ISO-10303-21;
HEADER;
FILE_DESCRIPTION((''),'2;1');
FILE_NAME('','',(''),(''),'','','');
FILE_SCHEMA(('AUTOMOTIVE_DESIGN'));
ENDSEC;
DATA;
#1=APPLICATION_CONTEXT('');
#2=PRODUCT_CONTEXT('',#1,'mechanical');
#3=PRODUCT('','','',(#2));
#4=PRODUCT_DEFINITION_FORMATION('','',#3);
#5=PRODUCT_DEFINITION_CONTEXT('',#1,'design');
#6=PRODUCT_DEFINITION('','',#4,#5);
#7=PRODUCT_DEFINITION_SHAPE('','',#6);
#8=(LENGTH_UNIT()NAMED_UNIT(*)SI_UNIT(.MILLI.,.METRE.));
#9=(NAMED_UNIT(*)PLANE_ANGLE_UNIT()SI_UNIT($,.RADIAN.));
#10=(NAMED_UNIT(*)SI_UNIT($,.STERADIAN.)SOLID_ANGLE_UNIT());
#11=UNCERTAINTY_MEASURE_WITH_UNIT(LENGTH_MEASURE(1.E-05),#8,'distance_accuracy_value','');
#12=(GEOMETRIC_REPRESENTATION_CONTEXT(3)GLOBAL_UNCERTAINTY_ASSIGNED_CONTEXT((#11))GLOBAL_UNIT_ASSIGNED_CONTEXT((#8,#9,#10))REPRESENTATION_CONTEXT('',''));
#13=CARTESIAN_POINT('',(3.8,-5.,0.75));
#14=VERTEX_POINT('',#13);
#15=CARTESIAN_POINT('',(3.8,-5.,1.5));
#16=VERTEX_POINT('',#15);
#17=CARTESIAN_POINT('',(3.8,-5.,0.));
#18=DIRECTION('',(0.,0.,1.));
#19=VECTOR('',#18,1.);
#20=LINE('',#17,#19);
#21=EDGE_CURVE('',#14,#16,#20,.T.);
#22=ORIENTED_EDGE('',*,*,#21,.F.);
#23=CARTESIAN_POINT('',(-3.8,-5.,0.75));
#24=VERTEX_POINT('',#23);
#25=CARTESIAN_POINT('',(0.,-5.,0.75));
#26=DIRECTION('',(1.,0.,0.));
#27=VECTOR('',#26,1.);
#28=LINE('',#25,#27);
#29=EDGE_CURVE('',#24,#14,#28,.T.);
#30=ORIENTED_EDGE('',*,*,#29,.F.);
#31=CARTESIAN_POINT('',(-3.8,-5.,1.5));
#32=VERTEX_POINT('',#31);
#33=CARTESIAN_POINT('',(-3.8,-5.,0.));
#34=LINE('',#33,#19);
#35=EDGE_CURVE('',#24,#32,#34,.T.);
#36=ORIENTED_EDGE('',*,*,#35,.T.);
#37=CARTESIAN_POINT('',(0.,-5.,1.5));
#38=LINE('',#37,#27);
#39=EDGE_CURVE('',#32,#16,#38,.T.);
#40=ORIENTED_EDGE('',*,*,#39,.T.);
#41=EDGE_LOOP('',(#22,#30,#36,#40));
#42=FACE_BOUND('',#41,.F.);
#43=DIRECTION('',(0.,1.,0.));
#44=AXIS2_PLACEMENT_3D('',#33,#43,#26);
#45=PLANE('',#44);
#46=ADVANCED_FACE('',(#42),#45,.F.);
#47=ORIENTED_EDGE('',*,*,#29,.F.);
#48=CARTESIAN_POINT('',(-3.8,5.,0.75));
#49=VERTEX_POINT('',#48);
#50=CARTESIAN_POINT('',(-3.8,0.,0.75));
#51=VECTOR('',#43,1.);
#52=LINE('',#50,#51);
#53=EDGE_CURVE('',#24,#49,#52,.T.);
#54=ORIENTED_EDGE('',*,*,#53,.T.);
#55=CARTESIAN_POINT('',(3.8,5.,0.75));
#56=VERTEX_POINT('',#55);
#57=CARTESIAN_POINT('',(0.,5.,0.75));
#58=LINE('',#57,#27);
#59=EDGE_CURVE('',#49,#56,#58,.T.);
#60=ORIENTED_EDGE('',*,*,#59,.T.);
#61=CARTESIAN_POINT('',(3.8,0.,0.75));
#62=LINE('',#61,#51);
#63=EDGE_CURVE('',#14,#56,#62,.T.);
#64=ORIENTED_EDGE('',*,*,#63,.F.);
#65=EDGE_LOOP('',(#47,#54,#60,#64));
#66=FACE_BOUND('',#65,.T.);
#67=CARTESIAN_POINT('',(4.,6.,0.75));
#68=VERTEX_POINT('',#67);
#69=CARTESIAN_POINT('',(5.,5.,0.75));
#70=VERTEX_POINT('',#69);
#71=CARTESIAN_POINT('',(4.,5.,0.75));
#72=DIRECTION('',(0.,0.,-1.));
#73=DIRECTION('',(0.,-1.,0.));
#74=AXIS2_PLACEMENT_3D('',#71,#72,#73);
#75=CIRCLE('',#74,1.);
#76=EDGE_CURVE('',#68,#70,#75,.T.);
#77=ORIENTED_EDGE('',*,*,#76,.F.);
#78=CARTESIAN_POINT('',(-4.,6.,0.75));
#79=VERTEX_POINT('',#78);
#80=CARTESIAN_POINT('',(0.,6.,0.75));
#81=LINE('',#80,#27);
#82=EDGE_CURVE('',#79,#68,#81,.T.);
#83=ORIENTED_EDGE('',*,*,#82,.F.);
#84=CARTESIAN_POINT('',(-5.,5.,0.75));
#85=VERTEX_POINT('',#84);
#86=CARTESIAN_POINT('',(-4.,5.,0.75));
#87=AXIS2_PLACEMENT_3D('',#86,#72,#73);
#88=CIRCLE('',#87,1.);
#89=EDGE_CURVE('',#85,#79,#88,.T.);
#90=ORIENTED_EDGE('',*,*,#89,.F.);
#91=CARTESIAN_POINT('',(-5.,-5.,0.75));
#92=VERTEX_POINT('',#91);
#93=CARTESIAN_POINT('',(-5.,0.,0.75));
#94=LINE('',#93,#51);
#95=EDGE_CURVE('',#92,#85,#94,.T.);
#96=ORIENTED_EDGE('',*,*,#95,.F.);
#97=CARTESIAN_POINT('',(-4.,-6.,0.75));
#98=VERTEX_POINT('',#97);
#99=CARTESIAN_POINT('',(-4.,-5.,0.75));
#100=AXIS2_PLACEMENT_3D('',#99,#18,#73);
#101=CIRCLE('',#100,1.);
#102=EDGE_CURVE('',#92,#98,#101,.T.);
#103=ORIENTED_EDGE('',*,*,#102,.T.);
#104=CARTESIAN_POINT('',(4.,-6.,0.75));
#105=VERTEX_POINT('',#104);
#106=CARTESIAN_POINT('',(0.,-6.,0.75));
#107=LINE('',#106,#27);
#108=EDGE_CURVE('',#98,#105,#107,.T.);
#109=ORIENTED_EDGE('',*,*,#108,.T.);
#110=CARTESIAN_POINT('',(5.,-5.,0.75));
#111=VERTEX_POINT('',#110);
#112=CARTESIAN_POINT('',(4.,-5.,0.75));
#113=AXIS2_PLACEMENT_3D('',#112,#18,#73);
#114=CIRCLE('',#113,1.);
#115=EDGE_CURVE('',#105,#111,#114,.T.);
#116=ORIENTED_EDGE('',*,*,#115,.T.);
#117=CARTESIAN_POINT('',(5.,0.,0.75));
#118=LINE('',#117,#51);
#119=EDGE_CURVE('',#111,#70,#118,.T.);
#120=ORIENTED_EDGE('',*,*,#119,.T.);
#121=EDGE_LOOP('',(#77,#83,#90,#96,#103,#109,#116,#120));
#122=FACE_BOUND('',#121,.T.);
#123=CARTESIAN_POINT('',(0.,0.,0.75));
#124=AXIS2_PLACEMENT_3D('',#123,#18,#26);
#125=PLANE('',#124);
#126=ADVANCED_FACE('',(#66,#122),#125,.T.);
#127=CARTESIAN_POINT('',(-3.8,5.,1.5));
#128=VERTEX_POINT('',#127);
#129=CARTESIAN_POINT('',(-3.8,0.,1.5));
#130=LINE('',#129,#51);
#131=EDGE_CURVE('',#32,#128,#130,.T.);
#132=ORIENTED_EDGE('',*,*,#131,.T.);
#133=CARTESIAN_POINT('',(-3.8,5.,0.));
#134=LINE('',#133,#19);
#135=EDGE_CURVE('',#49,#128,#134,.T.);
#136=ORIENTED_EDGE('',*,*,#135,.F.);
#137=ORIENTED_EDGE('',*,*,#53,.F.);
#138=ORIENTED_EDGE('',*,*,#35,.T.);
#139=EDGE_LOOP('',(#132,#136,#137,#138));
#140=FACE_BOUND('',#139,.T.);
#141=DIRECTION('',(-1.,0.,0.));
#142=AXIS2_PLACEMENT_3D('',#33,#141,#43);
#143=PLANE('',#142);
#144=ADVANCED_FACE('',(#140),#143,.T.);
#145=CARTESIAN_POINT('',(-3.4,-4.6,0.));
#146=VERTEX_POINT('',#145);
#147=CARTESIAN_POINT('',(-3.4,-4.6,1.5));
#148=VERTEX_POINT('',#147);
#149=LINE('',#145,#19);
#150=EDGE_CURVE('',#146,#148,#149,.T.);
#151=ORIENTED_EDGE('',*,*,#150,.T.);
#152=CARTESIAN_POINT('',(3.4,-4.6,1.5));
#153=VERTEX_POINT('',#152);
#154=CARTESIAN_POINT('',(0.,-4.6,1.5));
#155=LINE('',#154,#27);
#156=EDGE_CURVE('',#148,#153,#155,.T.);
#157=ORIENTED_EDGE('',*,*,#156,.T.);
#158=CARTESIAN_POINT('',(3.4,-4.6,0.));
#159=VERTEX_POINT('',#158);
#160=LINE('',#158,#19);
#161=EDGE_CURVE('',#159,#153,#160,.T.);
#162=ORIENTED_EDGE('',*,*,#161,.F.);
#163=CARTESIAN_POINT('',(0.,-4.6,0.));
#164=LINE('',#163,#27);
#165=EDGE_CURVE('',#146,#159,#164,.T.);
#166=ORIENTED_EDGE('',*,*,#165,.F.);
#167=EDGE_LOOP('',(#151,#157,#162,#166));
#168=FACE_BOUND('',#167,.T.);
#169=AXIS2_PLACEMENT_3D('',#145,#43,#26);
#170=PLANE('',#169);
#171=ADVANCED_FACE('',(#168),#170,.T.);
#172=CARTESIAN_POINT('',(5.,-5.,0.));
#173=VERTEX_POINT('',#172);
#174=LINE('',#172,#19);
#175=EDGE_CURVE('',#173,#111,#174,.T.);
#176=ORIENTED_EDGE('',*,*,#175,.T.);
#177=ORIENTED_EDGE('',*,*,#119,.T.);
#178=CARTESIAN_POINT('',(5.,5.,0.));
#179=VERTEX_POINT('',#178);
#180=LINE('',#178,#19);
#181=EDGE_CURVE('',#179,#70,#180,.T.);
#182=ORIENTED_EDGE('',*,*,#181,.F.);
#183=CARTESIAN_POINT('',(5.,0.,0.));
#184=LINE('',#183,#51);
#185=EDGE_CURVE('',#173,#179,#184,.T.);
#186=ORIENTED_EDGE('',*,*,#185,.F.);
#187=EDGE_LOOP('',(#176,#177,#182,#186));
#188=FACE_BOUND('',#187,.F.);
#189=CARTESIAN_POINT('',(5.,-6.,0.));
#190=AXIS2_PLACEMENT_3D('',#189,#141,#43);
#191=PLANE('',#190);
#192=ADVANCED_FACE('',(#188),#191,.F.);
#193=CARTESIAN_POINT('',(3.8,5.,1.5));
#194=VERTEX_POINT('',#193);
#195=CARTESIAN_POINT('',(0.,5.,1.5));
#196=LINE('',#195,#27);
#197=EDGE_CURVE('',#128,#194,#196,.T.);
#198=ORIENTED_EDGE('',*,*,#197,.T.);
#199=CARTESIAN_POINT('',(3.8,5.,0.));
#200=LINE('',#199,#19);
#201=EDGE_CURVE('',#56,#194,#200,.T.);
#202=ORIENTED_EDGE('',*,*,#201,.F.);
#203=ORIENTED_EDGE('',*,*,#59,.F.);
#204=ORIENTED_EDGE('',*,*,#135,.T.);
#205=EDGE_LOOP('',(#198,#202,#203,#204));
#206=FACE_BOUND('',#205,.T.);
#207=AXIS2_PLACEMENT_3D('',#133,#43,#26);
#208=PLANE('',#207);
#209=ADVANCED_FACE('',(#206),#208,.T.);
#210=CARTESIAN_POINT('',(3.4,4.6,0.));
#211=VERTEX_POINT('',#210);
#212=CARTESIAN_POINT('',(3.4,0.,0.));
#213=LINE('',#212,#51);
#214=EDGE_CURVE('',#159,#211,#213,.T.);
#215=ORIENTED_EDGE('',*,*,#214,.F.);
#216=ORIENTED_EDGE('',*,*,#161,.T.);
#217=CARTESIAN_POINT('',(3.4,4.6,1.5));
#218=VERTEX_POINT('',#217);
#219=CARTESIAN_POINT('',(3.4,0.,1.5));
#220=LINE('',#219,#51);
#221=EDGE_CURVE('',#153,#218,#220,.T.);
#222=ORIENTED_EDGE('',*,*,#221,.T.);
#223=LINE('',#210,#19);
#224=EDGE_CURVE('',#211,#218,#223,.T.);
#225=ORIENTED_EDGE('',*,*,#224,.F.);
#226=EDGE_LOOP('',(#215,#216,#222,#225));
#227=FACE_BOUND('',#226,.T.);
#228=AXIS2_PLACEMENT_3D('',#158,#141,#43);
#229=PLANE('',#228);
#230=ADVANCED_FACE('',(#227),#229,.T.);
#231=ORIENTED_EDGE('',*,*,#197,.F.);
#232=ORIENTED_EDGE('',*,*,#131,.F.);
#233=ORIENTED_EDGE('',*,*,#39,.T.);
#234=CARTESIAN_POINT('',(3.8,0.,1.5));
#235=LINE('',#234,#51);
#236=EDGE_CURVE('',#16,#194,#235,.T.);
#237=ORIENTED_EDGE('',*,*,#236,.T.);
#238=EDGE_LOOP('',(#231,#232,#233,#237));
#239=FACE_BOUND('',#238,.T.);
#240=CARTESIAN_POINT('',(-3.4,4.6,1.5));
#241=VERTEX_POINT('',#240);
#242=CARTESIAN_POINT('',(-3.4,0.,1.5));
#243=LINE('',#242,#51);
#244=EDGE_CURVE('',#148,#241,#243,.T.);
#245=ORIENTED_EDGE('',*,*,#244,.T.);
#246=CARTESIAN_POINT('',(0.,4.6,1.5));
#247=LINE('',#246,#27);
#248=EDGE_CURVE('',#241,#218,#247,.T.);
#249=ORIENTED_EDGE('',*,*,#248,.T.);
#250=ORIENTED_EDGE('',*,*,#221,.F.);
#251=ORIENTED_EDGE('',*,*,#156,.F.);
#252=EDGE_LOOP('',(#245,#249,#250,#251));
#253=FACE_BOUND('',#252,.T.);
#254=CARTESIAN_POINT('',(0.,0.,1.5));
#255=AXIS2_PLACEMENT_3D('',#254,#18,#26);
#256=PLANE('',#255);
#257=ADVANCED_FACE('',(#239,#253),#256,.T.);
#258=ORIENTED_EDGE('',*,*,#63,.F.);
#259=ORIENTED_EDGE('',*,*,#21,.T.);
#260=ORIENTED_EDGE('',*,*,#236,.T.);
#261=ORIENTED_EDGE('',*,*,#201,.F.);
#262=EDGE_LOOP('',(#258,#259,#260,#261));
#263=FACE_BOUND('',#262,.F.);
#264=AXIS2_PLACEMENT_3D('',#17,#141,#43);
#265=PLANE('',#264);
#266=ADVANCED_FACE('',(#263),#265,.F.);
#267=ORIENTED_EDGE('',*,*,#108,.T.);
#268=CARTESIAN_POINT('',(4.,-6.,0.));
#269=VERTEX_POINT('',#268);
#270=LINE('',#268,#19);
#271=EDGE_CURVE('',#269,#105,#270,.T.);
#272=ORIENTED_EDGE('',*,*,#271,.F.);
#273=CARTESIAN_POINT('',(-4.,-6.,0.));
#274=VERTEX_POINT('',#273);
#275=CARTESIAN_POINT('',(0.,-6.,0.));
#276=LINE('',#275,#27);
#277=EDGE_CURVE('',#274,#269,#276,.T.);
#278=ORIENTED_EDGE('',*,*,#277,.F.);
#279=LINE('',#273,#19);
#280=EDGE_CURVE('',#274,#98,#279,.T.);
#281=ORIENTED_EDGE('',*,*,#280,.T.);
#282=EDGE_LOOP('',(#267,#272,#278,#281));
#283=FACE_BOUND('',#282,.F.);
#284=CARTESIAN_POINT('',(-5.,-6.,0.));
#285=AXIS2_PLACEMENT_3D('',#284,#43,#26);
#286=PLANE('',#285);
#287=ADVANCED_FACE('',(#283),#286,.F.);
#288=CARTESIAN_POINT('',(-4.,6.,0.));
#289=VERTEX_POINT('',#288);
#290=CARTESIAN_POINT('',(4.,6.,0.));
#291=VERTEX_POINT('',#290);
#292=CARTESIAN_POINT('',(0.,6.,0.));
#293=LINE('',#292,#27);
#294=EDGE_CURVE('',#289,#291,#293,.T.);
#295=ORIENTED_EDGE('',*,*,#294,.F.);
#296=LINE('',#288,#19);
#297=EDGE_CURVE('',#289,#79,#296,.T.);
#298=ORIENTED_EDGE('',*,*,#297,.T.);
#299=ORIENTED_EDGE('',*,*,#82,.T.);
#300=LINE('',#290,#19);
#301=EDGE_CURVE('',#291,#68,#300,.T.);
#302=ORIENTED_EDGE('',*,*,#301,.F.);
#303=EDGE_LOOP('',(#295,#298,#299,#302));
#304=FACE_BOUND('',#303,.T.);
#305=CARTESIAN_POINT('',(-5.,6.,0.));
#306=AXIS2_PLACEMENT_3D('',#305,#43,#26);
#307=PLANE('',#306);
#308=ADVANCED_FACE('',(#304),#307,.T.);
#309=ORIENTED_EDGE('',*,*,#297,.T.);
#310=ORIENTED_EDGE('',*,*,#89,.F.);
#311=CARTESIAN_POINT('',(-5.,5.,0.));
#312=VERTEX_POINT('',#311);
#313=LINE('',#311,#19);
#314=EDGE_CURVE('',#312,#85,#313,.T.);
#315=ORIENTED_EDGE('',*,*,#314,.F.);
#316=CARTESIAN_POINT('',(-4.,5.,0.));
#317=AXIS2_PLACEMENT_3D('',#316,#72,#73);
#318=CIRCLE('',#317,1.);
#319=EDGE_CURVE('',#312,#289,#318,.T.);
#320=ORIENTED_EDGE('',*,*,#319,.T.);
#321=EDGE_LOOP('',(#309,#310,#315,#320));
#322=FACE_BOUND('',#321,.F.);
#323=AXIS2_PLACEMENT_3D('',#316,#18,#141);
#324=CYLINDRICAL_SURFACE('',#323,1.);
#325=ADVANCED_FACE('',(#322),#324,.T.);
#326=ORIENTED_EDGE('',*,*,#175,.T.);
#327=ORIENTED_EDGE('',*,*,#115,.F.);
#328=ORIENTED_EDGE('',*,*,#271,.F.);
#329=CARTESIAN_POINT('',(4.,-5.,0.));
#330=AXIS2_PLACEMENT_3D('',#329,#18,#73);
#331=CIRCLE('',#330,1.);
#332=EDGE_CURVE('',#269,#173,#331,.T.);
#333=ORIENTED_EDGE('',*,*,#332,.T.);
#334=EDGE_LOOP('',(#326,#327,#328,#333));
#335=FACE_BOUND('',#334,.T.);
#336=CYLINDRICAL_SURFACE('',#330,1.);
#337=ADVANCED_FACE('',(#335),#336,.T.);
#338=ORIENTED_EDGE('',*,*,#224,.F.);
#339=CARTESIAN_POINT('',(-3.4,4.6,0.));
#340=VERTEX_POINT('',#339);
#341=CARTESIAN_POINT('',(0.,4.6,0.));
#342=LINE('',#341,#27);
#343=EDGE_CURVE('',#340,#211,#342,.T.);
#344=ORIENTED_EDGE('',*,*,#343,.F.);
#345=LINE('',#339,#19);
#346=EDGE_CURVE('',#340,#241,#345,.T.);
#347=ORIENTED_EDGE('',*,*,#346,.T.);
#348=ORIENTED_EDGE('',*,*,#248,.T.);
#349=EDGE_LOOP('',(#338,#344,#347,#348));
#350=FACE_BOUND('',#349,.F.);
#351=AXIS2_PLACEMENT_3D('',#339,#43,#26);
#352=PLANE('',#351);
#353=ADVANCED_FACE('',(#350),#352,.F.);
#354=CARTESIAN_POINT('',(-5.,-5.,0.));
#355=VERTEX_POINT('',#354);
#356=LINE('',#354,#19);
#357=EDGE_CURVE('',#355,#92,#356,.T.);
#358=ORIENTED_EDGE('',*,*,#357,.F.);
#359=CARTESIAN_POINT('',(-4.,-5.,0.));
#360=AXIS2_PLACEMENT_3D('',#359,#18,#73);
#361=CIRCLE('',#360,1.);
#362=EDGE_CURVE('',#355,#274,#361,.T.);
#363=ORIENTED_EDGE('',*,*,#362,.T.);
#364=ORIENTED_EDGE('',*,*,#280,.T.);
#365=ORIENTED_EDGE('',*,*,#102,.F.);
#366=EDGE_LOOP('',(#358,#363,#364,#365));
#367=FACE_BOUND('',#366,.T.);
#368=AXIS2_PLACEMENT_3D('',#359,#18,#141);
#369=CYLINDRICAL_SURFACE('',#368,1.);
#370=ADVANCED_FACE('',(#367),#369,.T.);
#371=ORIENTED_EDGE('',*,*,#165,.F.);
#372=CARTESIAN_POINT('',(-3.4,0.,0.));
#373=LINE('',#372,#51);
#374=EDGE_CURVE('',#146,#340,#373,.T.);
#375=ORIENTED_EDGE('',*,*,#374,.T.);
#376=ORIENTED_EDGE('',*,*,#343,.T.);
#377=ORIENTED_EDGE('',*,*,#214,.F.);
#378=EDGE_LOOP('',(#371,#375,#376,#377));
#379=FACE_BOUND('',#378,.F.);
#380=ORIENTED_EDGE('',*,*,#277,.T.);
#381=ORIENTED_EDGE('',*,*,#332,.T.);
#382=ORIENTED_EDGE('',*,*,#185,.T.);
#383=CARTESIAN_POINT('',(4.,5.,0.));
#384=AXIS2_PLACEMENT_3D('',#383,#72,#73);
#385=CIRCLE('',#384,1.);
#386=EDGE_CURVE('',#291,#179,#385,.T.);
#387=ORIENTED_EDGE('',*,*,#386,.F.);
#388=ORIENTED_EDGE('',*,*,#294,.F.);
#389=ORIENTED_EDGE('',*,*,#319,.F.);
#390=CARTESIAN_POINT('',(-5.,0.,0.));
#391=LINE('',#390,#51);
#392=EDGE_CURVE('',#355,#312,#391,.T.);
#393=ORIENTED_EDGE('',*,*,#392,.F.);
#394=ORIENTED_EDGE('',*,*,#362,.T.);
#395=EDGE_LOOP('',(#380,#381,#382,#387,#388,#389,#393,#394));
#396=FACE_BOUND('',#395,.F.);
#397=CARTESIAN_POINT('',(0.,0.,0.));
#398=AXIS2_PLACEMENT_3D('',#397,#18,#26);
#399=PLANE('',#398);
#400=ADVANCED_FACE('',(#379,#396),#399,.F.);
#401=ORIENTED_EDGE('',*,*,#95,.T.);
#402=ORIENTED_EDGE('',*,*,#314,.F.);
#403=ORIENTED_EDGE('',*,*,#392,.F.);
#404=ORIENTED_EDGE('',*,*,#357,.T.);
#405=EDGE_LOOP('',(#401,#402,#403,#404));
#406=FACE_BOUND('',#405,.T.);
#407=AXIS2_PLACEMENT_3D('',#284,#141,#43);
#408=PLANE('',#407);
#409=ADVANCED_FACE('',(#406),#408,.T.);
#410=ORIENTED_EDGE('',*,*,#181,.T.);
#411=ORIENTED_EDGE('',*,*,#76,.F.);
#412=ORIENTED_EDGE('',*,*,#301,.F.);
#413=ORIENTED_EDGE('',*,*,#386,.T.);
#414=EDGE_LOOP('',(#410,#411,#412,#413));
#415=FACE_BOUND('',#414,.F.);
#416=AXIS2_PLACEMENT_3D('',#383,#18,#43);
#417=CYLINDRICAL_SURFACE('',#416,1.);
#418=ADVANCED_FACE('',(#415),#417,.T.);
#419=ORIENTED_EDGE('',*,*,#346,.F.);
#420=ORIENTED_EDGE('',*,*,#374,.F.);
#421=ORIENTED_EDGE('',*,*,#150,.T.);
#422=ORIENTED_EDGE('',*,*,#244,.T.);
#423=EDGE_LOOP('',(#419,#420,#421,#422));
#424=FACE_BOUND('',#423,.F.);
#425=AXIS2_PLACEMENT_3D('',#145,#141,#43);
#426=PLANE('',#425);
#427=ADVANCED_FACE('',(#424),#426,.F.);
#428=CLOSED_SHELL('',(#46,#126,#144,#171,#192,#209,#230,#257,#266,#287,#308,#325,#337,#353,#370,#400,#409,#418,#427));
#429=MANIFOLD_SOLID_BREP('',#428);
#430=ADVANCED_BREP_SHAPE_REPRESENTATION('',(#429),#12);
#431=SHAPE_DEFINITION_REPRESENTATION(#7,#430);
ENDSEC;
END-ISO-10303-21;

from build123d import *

# Parameters (mm, degrees)
F0_W     = 10
F0_H     = 12
F0_W_2   = 7.6
F0_H_2   = 10
F1_DEPTH = 0.75
F0_W_3   = 6.8
F0_H_3   = 9.2
F2_DEPTH = 1.5
F3_R     = 1


with BuildPart() as f1:
    # F0 (on Top) → F1 (new body)
    with BuildSketch(Plane.XY):
        Rectangle(F0_W, F0_H)
        Rectangle(F0_W_2, F0_H_2, mode=Mode.SUBTRACT)
    extrude(amount=F1_DEPTH)

    # F0 (on Top) → F2 (join)
    with BuildSketch(Plane.XY):
        Rectangle(F0_W_2, F0_H_2)
        Rectangle(F0_W_3, F0_H_3, mode=Mode.SUBTRACT)
    extrude(amount=F2_DEPTH)

    # F3
    f3_edges = [f1.edges().sort_by_distance(p)[0] for p in [
        (5, 6, 0.375),
        (-5, 6, 0.375),
        (-5, -6, 0.375),
        (5, -6, 0.375),
    ]]
    fillet(f3_edges, radius=F3_R)


solid = f1.part
